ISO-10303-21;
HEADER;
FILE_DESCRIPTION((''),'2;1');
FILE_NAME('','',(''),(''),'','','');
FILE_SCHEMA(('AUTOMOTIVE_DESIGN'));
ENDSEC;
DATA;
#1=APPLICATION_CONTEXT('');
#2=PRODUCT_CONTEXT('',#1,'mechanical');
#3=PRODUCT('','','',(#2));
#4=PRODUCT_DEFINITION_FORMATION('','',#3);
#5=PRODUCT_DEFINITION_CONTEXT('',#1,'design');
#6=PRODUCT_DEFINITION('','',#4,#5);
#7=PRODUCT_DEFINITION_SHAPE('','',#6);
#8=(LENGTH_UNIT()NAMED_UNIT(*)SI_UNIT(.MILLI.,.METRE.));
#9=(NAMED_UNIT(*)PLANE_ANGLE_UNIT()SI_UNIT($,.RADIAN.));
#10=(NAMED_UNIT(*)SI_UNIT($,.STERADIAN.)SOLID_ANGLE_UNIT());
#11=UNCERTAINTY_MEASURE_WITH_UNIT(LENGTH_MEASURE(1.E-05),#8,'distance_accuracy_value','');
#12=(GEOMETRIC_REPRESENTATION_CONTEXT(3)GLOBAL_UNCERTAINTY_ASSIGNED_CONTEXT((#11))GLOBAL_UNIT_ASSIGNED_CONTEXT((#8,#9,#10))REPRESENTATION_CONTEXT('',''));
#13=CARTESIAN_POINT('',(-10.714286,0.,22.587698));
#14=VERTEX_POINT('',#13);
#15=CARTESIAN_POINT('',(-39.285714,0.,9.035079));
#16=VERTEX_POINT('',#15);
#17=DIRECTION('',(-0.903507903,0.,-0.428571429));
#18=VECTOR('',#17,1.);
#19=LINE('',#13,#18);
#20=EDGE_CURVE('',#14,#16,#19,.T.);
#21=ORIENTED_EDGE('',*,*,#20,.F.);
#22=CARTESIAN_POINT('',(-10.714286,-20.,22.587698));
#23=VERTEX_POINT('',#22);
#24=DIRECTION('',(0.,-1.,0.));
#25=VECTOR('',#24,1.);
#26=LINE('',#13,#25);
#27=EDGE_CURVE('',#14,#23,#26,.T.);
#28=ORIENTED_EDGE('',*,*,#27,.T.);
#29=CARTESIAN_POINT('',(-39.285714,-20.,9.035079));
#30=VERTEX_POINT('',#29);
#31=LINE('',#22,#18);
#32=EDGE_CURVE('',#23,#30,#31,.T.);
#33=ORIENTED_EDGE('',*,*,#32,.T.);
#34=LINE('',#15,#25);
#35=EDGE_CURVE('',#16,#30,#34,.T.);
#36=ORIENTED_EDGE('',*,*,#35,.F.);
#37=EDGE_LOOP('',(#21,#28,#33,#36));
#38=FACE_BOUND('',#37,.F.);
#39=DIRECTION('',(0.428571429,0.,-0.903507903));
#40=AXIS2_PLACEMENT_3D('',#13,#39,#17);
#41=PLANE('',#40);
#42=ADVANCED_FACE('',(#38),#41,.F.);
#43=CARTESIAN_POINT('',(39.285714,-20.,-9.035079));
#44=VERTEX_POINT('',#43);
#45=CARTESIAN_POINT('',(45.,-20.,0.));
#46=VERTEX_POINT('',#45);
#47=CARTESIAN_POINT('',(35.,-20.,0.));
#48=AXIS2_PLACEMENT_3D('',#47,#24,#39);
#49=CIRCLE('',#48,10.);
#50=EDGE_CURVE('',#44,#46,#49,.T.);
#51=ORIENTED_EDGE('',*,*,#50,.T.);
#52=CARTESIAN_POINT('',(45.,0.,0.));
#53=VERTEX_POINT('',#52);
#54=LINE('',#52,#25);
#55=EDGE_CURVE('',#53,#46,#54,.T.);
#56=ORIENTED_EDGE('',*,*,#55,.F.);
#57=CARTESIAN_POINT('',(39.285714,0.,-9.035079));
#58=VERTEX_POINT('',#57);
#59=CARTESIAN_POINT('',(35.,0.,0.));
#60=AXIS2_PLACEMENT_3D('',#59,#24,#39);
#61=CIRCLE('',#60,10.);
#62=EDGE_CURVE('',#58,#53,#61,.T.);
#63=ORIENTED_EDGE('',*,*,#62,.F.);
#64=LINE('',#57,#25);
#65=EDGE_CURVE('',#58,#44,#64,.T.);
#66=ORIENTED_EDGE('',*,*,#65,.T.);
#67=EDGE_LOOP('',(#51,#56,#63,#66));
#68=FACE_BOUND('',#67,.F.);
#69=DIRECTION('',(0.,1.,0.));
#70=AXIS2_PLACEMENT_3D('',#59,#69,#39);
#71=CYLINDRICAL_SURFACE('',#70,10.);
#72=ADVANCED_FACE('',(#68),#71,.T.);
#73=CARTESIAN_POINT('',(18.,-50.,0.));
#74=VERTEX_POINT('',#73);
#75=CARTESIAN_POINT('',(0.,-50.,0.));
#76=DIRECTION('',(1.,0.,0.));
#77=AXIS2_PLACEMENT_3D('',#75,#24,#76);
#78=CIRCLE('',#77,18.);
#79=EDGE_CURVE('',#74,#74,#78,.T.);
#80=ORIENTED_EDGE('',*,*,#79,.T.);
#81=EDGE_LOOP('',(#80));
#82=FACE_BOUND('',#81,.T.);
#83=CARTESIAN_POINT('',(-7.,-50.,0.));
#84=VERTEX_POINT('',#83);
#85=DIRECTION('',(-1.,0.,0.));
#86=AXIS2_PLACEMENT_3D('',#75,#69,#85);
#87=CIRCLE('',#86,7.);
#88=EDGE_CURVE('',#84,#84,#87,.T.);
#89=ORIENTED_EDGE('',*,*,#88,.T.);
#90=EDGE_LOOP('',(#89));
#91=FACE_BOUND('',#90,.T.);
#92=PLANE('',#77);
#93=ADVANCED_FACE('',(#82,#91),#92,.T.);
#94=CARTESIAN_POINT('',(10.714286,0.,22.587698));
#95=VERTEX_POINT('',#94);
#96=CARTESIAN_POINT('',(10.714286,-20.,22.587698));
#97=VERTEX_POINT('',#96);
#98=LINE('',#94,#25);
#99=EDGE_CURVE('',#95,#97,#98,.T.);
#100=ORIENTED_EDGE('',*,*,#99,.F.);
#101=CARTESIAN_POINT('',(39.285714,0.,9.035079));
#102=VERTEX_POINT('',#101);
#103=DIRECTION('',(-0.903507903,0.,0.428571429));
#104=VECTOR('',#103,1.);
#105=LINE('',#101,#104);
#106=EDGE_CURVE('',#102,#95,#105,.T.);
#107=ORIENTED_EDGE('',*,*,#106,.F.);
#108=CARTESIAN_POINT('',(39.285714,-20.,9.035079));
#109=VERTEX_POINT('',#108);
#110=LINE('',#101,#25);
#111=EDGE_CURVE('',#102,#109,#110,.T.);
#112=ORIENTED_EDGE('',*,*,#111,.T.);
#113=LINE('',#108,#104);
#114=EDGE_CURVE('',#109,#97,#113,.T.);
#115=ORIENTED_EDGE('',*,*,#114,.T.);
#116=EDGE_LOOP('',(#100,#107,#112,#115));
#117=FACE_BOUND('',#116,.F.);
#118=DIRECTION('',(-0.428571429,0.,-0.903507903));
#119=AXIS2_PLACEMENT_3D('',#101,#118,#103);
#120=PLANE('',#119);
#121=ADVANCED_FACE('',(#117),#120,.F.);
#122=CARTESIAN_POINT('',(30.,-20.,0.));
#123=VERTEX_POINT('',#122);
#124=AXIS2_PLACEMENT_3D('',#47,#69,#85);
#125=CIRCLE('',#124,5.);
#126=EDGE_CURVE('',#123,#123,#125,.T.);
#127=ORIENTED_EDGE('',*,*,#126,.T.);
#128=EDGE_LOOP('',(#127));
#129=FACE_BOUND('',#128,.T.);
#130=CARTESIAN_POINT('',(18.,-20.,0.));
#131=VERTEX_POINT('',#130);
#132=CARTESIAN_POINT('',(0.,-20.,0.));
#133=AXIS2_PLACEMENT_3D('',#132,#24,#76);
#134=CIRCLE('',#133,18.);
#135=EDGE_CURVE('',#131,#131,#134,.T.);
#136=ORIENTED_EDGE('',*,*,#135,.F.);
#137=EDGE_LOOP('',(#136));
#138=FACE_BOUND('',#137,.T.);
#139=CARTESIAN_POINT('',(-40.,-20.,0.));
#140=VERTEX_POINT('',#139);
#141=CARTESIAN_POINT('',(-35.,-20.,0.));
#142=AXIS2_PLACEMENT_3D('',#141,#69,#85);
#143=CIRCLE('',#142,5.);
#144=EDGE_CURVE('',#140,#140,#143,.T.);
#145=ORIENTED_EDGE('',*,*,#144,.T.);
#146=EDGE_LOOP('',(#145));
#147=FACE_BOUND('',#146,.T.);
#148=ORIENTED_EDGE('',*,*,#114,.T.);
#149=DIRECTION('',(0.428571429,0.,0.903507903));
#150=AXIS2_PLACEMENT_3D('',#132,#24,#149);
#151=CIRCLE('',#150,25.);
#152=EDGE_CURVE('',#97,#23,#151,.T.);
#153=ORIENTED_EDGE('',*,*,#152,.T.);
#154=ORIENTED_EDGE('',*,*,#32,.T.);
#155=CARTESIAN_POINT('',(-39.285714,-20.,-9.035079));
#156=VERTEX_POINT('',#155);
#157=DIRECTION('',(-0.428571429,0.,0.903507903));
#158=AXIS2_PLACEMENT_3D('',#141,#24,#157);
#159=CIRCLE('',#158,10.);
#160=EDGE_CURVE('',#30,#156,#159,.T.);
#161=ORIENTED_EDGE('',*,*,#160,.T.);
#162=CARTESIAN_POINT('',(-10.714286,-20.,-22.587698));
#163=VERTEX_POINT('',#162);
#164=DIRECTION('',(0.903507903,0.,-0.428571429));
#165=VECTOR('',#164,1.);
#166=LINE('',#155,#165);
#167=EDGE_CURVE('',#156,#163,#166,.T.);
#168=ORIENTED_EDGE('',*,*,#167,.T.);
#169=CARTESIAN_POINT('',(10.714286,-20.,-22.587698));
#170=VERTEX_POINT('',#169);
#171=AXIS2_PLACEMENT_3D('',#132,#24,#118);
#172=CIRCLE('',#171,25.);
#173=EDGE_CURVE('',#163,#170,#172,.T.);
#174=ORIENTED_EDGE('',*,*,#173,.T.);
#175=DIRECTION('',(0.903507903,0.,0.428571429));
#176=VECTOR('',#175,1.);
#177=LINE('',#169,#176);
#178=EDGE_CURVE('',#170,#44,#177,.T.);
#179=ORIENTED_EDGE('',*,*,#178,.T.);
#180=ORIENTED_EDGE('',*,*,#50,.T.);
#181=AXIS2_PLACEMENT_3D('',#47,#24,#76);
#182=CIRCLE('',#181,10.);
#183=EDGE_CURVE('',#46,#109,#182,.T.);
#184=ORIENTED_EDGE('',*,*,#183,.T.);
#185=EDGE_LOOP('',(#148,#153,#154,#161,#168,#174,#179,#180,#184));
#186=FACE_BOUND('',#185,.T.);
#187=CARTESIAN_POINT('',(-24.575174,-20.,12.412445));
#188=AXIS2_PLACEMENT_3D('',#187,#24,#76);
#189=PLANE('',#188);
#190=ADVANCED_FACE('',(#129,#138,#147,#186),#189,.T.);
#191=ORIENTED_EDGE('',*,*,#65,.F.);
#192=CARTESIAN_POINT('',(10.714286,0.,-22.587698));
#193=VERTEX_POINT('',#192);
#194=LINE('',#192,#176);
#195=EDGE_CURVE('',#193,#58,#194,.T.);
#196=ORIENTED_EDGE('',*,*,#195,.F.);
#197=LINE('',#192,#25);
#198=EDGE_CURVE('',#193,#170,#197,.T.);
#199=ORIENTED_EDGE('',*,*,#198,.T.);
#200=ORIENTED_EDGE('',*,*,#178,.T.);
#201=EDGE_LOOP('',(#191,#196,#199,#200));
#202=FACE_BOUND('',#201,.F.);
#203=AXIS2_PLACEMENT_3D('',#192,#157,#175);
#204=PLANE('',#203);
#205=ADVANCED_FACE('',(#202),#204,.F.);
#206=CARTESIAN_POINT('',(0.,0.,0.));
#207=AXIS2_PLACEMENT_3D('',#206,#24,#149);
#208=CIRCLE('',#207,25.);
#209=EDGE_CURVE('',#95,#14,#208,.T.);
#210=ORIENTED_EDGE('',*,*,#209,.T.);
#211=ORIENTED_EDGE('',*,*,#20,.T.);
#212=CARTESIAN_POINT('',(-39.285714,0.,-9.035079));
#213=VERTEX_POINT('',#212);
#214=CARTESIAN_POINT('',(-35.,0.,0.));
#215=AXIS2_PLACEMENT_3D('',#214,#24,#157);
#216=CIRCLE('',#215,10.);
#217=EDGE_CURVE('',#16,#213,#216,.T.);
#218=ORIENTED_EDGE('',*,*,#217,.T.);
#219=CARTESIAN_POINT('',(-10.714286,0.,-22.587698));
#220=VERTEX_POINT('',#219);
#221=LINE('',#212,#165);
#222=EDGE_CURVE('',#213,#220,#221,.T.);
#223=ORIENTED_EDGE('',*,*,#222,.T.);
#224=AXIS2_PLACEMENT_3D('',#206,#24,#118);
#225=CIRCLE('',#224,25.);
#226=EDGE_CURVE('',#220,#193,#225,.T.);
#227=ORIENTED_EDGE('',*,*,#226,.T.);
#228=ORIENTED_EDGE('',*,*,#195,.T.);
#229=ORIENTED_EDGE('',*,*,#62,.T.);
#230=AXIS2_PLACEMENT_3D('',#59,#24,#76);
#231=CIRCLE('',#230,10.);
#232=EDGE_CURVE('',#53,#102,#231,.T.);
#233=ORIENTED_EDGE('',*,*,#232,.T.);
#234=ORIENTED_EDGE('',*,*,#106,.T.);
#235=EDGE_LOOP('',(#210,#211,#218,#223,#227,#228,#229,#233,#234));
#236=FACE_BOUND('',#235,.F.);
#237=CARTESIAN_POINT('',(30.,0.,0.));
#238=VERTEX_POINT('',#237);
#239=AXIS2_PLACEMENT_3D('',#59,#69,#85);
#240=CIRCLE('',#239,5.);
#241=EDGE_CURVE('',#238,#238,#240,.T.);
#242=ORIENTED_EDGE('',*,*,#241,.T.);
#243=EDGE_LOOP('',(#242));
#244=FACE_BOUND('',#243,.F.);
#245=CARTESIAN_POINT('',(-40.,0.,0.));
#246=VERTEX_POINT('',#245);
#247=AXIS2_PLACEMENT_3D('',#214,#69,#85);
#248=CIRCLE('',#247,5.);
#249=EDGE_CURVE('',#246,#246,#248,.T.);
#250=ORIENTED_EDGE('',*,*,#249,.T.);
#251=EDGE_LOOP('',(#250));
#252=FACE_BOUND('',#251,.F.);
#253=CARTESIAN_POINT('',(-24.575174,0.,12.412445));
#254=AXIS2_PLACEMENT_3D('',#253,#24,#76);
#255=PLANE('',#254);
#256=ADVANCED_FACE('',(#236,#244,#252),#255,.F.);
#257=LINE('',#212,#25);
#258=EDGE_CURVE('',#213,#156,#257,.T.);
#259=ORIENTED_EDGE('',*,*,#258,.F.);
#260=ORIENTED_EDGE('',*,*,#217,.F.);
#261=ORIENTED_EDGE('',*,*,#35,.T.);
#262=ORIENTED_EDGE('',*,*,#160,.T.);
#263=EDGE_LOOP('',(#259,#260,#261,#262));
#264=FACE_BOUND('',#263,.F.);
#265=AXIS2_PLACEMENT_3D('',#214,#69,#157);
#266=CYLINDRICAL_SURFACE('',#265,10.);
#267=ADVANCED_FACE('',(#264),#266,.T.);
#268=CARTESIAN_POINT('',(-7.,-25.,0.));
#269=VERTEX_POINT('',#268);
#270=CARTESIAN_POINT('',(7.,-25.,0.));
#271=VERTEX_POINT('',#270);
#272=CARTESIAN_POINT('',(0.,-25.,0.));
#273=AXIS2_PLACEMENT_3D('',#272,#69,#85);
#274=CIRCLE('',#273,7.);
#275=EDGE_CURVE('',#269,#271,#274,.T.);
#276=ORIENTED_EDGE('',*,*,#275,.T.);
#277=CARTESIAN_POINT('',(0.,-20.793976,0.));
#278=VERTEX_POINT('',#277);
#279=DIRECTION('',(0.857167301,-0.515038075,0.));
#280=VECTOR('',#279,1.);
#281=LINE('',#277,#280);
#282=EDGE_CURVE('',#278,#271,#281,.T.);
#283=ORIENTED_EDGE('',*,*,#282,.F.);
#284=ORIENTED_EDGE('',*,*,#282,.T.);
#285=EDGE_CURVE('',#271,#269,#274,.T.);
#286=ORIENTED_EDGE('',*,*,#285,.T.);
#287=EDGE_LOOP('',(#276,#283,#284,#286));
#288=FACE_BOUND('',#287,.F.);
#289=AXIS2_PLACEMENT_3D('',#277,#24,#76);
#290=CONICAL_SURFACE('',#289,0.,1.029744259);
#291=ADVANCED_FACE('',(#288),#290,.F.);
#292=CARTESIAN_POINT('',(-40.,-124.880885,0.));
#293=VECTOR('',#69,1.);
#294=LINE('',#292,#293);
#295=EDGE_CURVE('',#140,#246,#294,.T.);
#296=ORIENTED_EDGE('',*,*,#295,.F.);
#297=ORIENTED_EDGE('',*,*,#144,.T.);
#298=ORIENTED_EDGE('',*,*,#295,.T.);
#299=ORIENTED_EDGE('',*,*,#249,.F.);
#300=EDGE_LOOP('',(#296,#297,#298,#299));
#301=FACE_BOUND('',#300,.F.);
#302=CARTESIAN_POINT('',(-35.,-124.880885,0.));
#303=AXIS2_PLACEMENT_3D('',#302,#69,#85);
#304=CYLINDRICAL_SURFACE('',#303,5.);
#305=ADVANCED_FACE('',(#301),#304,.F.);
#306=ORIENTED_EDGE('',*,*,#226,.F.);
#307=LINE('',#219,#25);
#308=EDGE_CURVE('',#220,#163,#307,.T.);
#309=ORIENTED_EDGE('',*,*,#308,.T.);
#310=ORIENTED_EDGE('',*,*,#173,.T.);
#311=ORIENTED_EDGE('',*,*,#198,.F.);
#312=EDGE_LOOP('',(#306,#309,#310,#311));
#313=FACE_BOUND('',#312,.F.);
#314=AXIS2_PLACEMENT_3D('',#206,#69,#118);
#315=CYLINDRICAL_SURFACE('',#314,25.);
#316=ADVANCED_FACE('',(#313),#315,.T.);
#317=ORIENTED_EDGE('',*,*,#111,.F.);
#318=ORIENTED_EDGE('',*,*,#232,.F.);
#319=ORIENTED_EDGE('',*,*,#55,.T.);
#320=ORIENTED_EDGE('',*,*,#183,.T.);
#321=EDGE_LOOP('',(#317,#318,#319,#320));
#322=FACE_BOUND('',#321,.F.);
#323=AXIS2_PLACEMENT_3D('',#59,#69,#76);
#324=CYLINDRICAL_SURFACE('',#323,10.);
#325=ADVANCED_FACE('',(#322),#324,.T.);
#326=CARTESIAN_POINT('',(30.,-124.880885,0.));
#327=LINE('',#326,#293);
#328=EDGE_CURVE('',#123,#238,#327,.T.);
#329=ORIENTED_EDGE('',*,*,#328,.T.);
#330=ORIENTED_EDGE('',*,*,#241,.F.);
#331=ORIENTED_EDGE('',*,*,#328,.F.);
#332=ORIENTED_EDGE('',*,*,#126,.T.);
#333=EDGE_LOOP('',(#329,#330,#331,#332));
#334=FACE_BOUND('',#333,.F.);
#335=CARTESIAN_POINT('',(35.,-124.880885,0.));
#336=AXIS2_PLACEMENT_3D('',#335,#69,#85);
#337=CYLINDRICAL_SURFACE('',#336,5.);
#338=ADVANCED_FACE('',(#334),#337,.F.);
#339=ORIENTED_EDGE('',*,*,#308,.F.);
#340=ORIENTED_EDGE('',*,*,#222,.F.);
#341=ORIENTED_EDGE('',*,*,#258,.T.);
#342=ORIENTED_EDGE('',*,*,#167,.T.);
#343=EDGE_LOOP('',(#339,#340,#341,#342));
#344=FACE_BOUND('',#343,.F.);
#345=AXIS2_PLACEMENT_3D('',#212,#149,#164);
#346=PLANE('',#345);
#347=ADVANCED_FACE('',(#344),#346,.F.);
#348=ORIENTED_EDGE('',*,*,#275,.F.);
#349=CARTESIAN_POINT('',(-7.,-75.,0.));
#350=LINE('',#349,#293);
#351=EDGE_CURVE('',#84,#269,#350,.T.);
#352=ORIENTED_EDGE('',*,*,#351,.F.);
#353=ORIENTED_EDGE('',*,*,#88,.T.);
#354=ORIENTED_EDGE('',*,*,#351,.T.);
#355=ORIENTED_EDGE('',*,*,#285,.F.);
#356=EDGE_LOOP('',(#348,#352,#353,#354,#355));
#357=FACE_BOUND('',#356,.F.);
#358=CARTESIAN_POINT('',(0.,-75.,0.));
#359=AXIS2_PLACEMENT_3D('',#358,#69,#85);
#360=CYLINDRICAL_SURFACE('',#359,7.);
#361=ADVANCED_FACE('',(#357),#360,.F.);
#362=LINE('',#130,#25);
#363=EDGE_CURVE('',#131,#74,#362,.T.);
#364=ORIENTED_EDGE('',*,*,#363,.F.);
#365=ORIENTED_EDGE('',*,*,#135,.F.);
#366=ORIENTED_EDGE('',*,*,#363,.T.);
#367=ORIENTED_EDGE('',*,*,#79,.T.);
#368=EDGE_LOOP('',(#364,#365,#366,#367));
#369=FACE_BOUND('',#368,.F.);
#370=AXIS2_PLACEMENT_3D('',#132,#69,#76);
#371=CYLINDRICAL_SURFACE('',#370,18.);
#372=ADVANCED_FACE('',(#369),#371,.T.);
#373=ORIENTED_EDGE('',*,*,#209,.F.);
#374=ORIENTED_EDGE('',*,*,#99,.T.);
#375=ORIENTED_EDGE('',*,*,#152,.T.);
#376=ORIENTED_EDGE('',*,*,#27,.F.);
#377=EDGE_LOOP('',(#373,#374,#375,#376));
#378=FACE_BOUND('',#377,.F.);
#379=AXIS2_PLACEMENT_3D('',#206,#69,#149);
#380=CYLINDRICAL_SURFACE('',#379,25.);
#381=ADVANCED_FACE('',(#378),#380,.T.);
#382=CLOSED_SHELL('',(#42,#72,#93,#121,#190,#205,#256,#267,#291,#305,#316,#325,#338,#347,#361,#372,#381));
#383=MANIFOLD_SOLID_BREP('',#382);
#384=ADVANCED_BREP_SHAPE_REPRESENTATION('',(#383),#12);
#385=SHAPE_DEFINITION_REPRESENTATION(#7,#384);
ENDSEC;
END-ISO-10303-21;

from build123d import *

# Parameters (mm, degrees)
F1_DEPTH = 20
F3_D     = 10
F2_R     = 18
F4_DEPTH = 30
F6_D     = 14
F6_DEPTH = 25
F6_TIP   = 4.2060243332


with BuildPart() as f1:
    # F0 (on Front) → F1 (new body)
    with BuildSketch(Plane.XZ):
        with BuildLine():
            ThreePointArc((-25, 0), (-21.1288563682, 13.3630620956), (-10.7142857143, 22.5876975726))
            Line((-10.7142857143, 22.5876975726), (-39.2857142857, 9.0350790291))
            ThreePointArc((-39.2857142857, 9.0350790291), (-29.6547751618, 8.4515425473), (-25, 0))
        make_face()
        with BuildLine():
            ThreePointArc((39.2857142857, -9.0350790291), (29.6547751618, -8.4515425473), (25, 0))
            ThreePointArc((25, 0), (21.1288563682, -13.3630620956), (10.7142857143, -22.5876975726))
            Line((10.7142857143, -22.5876975726), (39.2857142857, -9.0350790291))
        make_face()
        with BuildLine():
            Line((-39.2857142857, -9.0350790291), (-10.7142857143, -22.5876975726))
            ThreePointArc((-10.7142857143, -22.5876975726), (-21.1288563682, -13.3630620956), (-25, 0))
            ThreePointArc((-25, 0), (-29.6547751618, -8.4515425473), (-39.2857142857, -9.0350790291))
        make_face()
        with BuildLine():
            ThreePointArc((10.7142857143, -22.5876975726), (21.1288563682, -13.3630620956), (25, 0))
            ThreePointArc((25, 0), (21.1288563682, 13.3630620956), (10.7142857143, 22.5876975726))
            ThreePointArc((10.7142857143, 22.5876975726), (0, 25), (-10.7142857143, 22.5876975726))
            ThreePointArc((-10.7142857143, 22.5876975726), (-21.1288563682, 13.3630620956), (-25, 0))
            ThreePointArc((-25, 0), (-21.1288563682, -13.3630620956), (-10.7142857143, -22.5876975726))
            ThreePointArc((-10.7142857143, -22.5876975726), (0, -25), (10.7142857143, -22.5876975726))
        make_face()
        with BuildLine():
            ThreePointArc((-39.2857142857, -9.0350790291), (-29.6547751618, -8.4515425473), (-25, 0))
            ThreePointArc((-25, 0), (-29.6547751618, 8.4515425473), (-39.2857142857, 9.0350790291))
            ThreePointArc((-39.2857142857, 9.0350790291), (-45, 0), (-39.2857142857, -9.0350790291))
        make_face()
        with BuildLine():
            ThreePointArc((39.2857142857, 9.0350790291), (29.6547751618, 8.4515425473), (25, 0))
            ThreePointArc((25, 0), (29.6547751618, -8.4515425473), (39.2857142857, -9.0350790291))
            ThreePointArc((39.2857142857, -9.0350790291), (43.4515425473, -5.3452248382), (45, 0))
            ThreePointArc((45, 0), (43.4515425473, 5.3452248382), (39.2857142857, 9.0350790291))
        make_face()
        with BuildLine():
            ThreePointArc((10.7142857143, 22.5876975726), (21.1288563682, 13.3630620956), (25, 0))
            ThreePointArc((25, 0), (29.6547751618, 8.4515425473), (39.2857142857, 9.0350790291))
            Line((39.2857142857, 9.0350790291), (10.7142857143, 22.5876975726))
        make_face()
    extrude(amount=F1_DEPTH)

    # F3 (through all)
    with Locations(Plane.XZ.offset(20)):
        with Locations((-35, 0), (35, 0)):
            Hole(F3_D / 2)

    # F2 (on face) → F4 (join)
    with BuildSketch(Plane.XZ.offset(20)):
        Circle(F2_R)
    extrude(amount=F4_DEPTH)

    # F6
    with Locations(Plane.XZ.offset(50)):
        with Locations((0, 0)):
            Hole(F6_D / 2, depth=F6_DEPTH)
            with Locations((0, 0, -(F6_DEPTH + F6_TIP / 2))):  # 118° drill point
                Cone(0, F6_D / 2, F6_TIP, mode=Mode.SUBTRACT)


solid = f1.part
